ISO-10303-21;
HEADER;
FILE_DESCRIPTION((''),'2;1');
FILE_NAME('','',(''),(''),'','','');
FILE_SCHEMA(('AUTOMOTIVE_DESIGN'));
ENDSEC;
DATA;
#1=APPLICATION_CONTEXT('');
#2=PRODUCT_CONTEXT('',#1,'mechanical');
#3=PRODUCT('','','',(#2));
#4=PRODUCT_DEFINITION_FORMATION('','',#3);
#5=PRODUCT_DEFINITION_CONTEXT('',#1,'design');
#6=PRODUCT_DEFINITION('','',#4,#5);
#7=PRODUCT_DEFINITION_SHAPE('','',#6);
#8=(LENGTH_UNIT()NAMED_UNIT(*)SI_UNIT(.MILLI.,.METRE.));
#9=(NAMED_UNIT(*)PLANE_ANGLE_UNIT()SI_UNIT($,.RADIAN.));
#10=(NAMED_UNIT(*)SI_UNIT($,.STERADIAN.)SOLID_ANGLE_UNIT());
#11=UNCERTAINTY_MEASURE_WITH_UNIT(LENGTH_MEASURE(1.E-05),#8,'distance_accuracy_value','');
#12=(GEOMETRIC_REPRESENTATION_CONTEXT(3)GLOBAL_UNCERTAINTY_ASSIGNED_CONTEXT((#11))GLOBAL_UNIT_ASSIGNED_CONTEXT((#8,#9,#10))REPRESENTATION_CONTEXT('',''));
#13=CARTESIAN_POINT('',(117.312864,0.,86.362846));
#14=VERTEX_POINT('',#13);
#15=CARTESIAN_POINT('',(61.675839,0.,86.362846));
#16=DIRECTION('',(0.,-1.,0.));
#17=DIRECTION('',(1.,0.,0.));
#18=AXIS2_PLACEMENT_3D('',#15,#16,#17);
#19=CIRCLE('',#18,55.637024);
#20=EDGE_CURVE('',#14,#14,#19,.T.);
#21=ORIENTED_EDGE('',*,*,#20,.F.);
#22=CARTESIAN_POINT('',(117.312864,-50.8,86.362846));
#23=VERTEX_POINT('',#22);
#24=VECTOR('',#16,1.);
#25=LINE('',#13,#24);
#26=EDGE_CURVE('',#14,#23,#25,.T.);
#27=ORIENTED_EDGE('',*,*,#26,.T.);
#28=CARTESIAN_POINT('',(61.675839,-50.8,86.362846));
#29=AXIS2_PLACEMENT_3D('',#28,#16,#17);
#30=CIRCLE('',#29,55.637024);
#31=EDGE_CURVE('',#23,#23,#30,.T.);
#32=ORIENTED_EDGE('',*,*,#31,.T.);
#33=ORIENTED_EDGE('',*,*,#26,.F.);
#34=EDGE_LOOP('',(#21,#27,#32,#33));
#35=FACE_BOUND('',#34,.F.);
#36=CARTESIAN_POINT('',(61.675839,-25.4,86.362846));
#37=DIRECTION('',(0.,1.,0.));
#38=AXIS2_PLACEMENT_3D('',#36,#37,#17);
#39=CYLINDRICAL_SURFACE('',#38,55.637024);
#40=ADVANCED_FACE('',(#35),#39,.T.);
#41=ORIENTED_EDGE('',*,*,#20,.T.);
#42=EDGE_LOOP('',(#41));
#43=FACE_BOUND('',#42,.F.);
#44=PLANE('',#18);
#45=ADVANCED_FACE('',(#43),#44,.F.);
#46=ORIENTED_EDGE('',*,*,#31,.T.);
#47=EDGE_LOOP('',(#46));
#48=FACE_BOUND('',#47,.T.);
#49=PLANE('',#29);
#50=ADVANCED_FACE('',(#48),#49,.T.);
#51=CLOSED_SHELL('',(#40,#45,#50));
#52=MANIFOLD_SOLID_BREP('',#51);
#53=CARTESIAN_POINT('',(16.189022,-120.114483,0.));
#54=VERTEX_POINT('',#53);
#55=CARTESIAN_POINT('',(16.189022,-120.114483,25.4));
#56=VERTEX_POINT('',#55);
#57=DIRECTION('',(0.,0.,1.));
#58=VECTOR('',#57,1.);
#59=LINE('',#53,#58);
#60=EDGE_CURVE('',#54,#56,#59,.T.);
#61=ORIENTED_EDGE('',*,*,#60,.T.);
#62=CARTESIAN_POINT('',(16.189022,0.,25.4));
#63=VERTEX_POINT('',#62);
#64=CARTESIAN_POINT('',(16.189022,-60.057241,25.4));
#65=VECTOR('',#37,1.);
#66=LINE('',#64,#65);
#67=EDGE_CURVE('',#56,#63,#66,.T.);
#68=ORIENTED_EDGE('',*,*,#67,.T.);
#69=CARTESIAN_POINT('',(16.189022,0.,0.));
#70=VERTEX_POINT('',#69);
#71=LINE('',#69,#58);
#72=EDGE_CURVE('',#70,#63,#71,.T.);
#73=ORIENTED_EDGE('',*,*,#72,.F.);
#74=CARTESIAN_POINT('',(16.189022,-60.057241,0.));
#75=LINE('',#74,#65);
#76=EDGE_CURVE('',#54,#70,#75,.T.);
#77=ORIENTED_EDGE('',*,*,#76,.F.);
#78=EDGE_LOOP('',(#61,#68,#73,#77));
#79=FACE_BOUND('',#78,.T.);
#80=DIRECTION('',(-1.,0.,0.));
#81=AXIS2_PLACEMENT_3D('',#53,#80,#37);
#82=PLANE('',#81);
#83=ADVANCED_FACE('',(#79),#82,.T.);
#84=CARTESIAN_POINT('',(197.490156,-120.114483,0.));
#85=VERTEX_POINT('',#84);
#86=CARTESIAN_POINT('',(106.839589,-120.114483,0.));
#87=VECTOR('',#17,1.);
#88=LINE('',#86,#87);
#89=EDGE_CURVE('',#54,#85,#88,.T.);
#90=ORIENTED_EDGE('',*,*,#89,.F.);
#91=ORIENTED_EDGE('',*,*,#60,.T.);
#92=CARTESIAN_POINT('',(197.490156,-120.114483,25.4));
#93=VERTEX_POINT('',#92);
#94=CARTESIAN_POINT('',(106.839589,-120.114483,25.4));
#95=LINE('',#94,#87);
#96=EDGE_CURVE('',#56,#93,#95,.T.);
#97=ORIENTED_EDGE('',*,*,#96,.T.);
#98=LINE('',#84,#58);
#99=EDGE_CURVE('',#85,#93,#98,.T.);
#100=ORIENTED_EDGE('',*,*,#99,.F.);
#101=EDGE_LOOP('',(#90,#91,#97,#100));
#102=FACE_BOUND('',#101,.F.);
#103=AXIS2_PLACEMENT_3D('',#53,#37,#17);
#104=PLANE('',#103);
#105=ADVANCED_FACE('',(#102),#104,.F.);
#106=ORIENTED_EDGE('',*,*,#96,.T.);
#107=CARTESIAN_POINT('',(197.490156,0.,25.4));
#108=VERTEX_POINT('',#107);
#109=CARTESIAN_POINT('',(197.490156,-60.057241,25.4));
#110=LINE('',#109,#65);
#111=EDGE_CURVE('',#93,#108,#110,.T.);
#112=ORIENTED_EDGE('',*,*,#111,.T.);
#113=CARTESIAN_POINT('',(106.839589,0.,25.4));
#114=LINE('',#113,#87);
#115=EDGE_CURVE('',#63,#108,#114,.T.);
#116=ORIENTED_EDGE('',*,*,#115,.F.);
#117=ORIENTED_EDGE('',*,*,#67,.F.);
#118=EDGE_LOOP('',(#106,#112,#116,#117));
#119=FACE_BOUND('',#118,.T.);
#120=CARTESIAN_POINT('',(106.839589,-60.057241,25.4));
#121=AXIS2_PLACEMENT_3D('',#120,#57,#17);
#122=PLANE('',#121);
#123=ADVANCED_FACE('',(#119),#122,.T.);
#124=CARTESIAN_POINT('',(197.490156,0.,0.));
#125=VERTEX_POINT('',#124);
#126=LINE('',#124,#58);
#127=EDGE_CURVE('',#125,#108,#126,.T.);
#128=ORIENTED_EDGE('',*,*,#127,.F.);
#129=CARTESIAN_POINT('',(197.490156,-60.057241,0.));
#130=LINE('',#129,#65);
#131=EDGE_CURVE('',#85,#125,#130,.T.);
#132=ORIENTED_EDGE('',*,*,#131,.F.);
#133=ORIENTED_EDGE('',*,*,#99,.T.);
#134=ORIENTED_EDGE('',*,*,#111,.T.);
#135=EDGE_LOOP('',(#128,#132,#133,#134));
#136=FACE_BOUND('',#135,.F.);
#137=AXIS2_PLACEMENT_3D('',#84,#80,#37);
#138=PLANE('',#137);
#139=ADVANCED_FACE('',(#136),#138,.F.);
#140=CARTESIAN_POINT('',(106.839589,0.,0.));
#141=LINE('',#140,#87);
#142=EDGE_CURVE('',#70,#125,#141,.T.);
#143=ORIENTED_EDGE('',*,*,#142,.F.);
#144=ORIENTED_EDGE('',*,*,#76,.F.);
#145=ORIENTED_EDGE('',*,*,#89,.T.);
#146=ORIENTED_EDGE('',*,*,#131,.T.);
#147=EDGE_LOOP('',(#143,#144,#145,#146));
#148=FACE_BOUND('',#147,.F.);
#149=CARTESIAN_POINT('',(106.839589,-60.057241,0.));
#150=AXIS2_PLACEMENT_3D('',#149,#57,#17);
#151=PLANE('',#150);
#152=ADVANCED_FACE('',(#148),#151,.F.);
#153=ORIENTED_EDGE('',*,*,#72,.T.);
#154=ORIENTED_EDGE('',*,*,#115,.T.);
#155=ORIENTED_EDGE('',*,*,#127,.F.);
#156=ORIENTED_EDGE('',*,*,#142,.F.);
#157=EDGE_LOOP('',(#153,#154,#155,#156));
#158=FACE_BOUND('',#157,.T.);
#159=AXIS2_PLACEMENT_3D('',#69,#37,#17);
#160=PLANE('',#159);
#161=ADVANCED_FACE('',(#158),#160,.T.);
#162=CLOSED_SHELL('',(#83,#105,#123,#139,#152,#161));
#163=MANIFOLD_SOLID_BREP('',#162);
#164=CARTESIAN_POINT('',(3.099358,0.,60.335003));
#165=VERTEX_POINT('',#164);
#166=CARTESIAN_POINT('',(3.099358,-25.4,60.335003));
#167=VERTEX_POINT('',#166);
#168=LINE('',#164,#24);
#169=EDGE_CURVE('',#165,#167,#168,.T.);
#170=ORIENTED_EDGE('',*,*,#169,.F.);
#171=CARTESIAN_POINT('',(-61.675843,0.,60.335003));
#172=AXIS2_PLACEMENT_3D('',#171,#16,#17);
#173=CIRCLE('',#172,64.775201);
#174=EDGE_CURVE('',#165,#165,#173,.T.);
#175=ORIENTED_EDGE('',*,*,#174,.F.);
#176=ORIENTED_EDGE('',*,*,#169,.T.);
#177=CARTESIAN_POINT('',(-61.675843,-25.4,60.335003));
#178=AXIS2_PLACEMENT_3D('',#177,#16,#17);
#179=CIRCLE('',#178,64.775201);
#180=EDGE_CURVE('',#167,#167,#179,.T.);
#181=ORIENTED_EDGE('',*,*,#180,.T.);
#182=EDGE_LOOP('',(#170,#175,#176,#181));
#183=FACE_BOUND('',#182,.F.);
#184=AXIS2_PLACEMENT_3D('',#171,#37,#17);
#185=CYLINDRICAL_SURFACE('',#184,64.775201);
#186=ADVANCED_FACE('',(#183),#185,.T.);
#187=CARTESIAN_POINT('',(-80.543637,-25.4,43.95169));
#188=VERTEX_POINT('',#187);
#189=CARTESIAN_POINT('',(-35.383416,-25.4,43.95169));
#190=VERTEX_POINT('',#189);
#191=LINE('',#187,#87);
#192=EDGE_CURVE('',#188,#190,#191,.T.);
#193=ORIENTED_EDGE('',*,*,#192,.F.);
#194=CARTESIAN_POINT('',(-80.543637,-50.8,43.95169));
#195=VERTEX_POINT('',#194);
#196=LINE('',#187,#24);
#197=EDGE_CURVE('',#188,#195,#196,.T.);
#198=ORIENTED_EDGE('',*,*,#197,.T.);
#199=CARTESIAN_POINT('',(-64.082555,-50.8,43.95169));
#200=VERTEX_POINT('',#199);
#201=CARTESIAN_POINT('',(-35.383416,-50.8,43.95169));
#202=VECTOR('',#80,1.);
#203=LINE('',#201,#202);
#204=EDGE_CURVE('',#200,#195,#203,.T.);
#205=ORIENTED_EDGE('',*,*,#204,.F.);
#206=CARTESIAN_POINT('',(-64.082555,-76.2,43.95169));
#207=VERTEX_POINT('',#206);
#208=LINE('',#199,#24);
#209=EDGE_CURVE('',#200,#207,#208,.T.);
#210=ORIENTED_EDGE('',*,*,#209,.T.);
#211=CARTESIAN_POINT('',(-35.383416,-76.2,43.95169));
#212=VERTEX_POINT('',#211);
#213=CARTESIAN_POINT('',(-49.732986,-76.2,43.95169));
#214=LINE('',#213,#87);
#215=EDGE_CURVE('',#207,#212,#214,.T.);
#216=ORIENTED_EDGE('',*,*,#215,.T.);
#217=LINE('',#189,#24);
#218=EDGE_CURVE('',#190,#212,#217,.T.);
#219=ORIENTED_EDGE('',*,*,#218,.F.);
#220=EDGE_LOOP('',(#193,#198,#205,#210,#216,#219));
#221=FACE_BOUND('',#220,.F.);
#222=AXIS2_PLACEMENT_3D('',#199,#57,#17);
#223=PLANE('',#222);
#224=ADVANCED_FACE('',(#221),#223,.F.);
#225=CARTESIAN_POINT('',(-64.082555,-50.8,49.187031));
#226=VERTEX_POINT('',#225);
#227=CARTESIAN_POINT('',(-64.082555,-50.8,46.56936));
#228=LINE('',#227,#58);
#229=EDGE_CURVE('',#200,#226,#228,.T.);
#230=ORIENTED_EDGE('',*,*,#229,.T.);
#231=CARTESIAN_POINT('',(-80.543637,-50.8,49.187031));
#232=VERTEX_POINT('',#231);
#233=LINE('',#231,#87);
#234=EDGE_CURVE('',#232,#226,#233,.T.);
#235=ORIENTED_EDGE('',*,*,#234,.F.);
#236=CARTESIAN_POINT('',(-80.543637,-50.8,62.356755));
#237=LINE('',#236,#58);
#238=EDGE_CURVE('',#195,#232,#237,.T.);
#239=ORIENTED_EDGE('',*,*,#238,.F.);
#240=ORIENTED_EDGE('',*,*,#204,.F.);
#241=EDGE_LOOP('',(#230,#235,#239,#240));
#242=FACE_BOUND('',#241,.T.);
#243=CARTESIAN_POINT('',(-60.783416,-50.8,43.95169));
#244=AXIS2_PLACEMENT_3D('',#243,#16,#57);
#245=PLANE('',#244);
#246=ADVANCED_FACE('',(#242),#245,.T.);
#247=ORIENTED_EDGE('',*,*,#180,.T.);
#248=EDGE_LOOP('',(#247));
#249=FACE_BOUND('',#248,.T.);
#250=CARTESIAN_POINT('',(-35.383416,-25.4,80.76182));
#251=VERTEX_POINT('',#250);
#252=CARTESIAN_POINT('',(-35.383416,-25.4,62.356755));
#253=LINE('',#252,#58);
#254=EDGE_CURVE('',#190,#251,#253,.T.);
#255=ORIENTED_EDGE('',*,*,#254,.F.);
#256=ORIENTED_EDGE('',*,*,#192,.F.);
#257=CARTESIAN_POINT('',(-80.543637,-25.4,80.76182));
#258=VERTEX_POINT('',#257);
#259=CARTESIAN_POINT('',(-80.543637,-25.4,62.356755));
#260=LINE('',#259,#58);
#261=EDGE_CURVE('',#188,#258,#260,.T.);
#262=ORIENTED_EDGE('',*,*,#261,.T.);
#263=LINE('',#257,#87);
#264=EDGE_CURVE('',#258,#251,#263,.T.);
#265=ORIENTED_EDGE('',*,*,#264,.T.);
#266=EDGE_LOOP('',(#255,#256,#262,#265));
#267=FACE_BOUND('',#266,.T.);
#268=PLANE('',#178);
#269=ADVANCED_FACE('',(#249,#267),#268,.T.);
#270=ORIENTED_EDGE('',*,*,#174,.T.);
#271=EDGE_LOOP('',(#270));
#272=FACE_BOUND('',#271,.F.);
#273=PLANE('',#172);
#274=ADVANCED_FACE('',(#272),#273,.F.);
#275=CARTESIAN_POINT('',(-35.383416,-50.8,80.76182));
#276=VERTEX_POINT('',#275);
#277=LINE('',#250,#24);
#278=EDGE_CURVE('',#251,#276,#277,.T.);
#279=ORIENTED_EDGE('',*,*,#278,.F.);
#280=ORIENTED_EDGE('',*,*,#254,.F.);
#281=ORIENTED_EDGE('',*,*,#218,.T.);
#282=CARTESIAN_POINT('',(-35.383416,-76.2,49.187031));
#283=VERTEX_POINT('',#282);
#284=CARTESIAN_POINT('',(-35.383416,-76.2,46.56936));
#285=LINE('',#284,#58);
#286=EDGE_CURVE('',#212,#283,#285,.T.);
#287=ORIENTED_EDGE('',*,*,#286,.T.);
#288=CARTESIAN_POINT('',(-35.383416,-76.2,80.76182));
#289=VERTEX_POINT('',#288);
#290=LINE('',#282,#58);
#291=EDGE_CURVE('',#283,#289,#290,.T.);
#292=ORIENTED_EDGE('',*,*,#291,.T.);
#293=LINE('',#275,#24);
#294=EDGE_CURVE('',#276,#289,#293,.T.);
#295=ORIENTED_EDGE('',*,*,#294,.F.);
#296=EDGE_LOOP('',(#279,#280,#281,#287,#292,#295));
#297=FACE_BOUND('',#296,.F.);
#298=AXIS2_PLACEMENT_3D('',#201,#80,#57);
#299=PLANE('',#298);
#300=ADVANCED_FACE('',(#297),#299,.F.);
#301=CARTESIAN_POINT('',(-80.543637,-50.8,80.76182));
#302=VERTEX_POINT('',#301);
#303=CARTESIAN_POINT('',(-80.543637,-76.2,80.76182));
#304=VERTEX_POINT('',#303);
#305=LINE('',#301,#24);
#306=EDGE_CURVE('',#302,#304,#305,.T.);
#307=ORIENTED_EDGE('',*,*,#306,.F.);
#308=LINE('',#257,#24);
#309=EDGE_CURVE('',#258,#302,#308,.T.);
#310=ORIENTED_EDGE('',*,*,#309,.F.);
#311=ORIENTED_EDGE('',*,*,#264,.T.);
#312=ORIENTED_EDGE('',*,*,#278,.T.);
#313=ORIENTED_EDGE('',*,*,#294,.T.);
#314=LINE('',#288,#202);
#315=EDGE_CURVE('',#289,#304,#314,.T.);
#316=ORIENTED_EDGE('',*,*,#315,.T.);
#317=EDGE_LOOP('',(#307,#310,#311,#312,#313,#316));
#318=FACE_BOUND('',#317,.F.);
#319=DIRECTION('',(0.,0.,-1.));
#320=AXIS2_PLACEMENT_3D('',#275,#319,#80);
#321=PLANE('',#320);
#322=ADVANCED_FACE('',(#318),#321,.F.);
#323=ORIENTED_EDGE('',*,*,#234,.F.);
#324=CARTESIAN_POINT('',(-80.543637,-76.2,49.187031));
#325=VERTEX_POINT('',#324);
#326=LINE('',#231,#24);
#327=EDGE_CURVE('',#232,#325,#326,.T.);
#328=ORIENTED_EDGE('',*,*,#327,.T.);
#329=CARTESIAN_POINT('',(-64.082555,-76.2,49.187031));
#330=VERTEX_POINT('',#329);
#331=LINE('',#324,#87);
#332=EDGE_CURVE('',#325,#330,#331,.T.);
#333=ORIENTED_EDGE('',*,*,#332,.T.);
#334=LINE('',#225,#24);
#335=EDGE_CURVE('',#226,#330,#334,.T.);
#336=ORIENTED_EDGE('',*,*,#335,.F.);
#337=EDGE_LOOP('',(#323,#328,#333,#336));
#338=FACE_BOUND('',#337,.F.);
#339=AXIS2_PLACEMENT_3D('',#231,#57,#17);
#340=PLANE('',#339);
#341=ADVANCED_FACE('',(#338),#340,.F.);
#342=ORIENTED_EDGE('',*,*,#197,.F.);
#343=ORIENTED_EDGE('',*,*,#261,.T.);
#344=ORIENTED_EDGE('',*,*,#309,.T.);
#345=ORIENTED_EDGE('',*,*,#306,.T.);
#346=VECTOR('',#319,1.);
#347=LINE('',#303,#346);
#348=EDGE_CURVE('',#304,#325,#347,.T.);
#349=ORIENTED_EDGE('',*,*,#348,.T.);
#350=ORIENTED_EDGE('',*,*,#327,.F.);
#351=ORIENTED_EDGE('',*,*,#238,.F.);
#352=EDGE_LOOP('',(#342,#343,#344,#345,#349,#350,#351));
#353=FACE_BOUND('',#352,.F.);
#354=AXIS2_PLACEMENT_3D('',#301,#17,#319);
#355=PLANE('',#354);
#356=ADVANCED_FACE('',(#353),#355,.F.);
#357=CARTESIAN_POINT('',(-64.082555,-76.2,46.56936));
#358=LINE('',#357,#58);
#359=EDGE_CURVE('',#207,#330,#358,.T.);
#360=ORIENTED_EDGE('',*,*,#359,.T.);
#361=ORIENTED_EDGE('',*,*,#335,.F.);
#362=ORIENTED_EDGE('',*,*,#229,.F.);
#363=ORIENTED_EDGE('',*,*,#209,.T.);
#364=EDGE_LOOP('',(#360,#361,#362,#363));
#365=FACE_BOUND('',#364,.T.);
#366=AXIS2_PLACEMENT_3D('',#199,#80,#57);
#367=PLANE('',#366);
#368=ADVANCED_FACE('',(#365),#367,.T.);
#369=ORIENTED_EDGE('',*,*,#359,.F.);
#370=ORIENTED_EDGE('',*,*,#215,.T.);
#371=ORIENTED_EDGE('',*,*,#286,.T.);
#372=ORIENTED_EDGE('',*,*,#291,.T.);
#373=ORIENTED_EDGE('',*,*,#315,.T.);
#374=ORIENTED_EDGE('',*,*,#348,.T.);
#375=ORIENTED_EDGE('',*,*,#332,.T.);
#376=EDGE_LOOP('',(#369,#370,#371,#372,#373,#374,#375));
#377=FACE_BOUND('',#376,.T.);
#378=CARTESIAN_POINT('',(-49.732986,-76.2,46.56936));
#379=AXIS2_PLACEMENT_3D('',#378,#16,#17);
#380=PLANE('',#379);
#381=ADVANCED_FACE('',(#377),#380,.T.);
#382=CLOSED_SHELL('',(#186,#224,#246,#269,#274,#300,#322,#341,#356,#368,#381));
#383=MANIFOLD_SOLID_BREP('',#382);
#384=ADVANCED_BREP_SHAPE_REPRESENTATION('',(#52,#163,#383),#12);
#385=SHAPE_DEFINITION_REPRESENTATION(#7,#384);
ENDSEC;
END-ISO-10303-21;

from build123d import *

# Parameters (mm, degrees)
F0_R      = 64.7752011443
F1_DEPTH  = 25.4
F2_W      = 19.7602212429
F2_H      = 36.8101298809
F3_DEPTH  = 25.4
F4_DEPTH  = 25.4
F5_W      = 28.6991394401
F5_H      = 5.2353404462
F6_DEPTH  = 25.4
F7_W      = 181.3011337072
F7_H      = 120.1144829392
F8_DEPTH  = 25.4
F9_R      = 55.6370243783
F10_DEPTH = 25.4
F11_DEPTH = 25.4


with BuildPart() as f1:
    # F0 (on Front) → F1 (new body)
    with BuildSketch(Plane.XZ):
        with Locations((-61.6758428514, 60.3350028396)):
            Circle(F0_R)
    extrude(amount=F1_DEPTH)

    # F2 (on face) → F3 (join)
    with BuildSketch(Plane.XZ.offset(25.4)):
        with Locations((-70.6635266542, 62.3567551374)):
            Rectangle(F2_W, F2_H)
    extrude(amount=F3_DEPTH)

    # F4 (add): a face of the model
    f4_faces = [f1.faces().sort_by_distance(p)[0] for p in [
        (-60.7834160328, -38.1, 62.3567551374),
    ]]
    extrude(f4_faces, amount=F4_DEPTH)

    # F5 (on face) → F6 (join)
    with BuildSketch(Plane.XZ.offset(50.8)):
        with Locations((-49.7329857528, 46.5693604201)):
            Rectangle(F5_W, F5_H)
        Polygon((-35.3834160328, 80.7618200779), (-80.5436372757, 80.7618200779), (-80.5436372757, 49.1870306432), (-64.0825554729, 49.1870306432), (-35.3834160328, 49.1870306432), align=None)
    extrude(amount=F6_DEPTH)


with BuildPart() as f8:
    # F7 (on Top) → F8 (new body)
    with BuildSketch(Plane.XY):
        with Locations((106.8395888433, -60.0572414696)):
            Rectangle(F7_W, F7_H)
    extrude(amount=F8_DEPTH)


with BuildPart() as f10:
    # F9 (on Front) → F10 (new body)
    with BuildSketch(Plane.XZ):
        with Locations((61.6758391261, 86.3628461957)):
            Circle(F9_R)
    extrude(amount=F10_DEPTH)

    # F11 (add): a face of the model
    f11_faces = [f10.faces().sort_by_distance(p)[0] for p in [
        (61.6758391261, -25.4, 86.3628461957),
    ]]
    extrude(f11_faces, amount=F11_DEPTH)


solid = Compound([f1.part, f8.part, f10.part])
